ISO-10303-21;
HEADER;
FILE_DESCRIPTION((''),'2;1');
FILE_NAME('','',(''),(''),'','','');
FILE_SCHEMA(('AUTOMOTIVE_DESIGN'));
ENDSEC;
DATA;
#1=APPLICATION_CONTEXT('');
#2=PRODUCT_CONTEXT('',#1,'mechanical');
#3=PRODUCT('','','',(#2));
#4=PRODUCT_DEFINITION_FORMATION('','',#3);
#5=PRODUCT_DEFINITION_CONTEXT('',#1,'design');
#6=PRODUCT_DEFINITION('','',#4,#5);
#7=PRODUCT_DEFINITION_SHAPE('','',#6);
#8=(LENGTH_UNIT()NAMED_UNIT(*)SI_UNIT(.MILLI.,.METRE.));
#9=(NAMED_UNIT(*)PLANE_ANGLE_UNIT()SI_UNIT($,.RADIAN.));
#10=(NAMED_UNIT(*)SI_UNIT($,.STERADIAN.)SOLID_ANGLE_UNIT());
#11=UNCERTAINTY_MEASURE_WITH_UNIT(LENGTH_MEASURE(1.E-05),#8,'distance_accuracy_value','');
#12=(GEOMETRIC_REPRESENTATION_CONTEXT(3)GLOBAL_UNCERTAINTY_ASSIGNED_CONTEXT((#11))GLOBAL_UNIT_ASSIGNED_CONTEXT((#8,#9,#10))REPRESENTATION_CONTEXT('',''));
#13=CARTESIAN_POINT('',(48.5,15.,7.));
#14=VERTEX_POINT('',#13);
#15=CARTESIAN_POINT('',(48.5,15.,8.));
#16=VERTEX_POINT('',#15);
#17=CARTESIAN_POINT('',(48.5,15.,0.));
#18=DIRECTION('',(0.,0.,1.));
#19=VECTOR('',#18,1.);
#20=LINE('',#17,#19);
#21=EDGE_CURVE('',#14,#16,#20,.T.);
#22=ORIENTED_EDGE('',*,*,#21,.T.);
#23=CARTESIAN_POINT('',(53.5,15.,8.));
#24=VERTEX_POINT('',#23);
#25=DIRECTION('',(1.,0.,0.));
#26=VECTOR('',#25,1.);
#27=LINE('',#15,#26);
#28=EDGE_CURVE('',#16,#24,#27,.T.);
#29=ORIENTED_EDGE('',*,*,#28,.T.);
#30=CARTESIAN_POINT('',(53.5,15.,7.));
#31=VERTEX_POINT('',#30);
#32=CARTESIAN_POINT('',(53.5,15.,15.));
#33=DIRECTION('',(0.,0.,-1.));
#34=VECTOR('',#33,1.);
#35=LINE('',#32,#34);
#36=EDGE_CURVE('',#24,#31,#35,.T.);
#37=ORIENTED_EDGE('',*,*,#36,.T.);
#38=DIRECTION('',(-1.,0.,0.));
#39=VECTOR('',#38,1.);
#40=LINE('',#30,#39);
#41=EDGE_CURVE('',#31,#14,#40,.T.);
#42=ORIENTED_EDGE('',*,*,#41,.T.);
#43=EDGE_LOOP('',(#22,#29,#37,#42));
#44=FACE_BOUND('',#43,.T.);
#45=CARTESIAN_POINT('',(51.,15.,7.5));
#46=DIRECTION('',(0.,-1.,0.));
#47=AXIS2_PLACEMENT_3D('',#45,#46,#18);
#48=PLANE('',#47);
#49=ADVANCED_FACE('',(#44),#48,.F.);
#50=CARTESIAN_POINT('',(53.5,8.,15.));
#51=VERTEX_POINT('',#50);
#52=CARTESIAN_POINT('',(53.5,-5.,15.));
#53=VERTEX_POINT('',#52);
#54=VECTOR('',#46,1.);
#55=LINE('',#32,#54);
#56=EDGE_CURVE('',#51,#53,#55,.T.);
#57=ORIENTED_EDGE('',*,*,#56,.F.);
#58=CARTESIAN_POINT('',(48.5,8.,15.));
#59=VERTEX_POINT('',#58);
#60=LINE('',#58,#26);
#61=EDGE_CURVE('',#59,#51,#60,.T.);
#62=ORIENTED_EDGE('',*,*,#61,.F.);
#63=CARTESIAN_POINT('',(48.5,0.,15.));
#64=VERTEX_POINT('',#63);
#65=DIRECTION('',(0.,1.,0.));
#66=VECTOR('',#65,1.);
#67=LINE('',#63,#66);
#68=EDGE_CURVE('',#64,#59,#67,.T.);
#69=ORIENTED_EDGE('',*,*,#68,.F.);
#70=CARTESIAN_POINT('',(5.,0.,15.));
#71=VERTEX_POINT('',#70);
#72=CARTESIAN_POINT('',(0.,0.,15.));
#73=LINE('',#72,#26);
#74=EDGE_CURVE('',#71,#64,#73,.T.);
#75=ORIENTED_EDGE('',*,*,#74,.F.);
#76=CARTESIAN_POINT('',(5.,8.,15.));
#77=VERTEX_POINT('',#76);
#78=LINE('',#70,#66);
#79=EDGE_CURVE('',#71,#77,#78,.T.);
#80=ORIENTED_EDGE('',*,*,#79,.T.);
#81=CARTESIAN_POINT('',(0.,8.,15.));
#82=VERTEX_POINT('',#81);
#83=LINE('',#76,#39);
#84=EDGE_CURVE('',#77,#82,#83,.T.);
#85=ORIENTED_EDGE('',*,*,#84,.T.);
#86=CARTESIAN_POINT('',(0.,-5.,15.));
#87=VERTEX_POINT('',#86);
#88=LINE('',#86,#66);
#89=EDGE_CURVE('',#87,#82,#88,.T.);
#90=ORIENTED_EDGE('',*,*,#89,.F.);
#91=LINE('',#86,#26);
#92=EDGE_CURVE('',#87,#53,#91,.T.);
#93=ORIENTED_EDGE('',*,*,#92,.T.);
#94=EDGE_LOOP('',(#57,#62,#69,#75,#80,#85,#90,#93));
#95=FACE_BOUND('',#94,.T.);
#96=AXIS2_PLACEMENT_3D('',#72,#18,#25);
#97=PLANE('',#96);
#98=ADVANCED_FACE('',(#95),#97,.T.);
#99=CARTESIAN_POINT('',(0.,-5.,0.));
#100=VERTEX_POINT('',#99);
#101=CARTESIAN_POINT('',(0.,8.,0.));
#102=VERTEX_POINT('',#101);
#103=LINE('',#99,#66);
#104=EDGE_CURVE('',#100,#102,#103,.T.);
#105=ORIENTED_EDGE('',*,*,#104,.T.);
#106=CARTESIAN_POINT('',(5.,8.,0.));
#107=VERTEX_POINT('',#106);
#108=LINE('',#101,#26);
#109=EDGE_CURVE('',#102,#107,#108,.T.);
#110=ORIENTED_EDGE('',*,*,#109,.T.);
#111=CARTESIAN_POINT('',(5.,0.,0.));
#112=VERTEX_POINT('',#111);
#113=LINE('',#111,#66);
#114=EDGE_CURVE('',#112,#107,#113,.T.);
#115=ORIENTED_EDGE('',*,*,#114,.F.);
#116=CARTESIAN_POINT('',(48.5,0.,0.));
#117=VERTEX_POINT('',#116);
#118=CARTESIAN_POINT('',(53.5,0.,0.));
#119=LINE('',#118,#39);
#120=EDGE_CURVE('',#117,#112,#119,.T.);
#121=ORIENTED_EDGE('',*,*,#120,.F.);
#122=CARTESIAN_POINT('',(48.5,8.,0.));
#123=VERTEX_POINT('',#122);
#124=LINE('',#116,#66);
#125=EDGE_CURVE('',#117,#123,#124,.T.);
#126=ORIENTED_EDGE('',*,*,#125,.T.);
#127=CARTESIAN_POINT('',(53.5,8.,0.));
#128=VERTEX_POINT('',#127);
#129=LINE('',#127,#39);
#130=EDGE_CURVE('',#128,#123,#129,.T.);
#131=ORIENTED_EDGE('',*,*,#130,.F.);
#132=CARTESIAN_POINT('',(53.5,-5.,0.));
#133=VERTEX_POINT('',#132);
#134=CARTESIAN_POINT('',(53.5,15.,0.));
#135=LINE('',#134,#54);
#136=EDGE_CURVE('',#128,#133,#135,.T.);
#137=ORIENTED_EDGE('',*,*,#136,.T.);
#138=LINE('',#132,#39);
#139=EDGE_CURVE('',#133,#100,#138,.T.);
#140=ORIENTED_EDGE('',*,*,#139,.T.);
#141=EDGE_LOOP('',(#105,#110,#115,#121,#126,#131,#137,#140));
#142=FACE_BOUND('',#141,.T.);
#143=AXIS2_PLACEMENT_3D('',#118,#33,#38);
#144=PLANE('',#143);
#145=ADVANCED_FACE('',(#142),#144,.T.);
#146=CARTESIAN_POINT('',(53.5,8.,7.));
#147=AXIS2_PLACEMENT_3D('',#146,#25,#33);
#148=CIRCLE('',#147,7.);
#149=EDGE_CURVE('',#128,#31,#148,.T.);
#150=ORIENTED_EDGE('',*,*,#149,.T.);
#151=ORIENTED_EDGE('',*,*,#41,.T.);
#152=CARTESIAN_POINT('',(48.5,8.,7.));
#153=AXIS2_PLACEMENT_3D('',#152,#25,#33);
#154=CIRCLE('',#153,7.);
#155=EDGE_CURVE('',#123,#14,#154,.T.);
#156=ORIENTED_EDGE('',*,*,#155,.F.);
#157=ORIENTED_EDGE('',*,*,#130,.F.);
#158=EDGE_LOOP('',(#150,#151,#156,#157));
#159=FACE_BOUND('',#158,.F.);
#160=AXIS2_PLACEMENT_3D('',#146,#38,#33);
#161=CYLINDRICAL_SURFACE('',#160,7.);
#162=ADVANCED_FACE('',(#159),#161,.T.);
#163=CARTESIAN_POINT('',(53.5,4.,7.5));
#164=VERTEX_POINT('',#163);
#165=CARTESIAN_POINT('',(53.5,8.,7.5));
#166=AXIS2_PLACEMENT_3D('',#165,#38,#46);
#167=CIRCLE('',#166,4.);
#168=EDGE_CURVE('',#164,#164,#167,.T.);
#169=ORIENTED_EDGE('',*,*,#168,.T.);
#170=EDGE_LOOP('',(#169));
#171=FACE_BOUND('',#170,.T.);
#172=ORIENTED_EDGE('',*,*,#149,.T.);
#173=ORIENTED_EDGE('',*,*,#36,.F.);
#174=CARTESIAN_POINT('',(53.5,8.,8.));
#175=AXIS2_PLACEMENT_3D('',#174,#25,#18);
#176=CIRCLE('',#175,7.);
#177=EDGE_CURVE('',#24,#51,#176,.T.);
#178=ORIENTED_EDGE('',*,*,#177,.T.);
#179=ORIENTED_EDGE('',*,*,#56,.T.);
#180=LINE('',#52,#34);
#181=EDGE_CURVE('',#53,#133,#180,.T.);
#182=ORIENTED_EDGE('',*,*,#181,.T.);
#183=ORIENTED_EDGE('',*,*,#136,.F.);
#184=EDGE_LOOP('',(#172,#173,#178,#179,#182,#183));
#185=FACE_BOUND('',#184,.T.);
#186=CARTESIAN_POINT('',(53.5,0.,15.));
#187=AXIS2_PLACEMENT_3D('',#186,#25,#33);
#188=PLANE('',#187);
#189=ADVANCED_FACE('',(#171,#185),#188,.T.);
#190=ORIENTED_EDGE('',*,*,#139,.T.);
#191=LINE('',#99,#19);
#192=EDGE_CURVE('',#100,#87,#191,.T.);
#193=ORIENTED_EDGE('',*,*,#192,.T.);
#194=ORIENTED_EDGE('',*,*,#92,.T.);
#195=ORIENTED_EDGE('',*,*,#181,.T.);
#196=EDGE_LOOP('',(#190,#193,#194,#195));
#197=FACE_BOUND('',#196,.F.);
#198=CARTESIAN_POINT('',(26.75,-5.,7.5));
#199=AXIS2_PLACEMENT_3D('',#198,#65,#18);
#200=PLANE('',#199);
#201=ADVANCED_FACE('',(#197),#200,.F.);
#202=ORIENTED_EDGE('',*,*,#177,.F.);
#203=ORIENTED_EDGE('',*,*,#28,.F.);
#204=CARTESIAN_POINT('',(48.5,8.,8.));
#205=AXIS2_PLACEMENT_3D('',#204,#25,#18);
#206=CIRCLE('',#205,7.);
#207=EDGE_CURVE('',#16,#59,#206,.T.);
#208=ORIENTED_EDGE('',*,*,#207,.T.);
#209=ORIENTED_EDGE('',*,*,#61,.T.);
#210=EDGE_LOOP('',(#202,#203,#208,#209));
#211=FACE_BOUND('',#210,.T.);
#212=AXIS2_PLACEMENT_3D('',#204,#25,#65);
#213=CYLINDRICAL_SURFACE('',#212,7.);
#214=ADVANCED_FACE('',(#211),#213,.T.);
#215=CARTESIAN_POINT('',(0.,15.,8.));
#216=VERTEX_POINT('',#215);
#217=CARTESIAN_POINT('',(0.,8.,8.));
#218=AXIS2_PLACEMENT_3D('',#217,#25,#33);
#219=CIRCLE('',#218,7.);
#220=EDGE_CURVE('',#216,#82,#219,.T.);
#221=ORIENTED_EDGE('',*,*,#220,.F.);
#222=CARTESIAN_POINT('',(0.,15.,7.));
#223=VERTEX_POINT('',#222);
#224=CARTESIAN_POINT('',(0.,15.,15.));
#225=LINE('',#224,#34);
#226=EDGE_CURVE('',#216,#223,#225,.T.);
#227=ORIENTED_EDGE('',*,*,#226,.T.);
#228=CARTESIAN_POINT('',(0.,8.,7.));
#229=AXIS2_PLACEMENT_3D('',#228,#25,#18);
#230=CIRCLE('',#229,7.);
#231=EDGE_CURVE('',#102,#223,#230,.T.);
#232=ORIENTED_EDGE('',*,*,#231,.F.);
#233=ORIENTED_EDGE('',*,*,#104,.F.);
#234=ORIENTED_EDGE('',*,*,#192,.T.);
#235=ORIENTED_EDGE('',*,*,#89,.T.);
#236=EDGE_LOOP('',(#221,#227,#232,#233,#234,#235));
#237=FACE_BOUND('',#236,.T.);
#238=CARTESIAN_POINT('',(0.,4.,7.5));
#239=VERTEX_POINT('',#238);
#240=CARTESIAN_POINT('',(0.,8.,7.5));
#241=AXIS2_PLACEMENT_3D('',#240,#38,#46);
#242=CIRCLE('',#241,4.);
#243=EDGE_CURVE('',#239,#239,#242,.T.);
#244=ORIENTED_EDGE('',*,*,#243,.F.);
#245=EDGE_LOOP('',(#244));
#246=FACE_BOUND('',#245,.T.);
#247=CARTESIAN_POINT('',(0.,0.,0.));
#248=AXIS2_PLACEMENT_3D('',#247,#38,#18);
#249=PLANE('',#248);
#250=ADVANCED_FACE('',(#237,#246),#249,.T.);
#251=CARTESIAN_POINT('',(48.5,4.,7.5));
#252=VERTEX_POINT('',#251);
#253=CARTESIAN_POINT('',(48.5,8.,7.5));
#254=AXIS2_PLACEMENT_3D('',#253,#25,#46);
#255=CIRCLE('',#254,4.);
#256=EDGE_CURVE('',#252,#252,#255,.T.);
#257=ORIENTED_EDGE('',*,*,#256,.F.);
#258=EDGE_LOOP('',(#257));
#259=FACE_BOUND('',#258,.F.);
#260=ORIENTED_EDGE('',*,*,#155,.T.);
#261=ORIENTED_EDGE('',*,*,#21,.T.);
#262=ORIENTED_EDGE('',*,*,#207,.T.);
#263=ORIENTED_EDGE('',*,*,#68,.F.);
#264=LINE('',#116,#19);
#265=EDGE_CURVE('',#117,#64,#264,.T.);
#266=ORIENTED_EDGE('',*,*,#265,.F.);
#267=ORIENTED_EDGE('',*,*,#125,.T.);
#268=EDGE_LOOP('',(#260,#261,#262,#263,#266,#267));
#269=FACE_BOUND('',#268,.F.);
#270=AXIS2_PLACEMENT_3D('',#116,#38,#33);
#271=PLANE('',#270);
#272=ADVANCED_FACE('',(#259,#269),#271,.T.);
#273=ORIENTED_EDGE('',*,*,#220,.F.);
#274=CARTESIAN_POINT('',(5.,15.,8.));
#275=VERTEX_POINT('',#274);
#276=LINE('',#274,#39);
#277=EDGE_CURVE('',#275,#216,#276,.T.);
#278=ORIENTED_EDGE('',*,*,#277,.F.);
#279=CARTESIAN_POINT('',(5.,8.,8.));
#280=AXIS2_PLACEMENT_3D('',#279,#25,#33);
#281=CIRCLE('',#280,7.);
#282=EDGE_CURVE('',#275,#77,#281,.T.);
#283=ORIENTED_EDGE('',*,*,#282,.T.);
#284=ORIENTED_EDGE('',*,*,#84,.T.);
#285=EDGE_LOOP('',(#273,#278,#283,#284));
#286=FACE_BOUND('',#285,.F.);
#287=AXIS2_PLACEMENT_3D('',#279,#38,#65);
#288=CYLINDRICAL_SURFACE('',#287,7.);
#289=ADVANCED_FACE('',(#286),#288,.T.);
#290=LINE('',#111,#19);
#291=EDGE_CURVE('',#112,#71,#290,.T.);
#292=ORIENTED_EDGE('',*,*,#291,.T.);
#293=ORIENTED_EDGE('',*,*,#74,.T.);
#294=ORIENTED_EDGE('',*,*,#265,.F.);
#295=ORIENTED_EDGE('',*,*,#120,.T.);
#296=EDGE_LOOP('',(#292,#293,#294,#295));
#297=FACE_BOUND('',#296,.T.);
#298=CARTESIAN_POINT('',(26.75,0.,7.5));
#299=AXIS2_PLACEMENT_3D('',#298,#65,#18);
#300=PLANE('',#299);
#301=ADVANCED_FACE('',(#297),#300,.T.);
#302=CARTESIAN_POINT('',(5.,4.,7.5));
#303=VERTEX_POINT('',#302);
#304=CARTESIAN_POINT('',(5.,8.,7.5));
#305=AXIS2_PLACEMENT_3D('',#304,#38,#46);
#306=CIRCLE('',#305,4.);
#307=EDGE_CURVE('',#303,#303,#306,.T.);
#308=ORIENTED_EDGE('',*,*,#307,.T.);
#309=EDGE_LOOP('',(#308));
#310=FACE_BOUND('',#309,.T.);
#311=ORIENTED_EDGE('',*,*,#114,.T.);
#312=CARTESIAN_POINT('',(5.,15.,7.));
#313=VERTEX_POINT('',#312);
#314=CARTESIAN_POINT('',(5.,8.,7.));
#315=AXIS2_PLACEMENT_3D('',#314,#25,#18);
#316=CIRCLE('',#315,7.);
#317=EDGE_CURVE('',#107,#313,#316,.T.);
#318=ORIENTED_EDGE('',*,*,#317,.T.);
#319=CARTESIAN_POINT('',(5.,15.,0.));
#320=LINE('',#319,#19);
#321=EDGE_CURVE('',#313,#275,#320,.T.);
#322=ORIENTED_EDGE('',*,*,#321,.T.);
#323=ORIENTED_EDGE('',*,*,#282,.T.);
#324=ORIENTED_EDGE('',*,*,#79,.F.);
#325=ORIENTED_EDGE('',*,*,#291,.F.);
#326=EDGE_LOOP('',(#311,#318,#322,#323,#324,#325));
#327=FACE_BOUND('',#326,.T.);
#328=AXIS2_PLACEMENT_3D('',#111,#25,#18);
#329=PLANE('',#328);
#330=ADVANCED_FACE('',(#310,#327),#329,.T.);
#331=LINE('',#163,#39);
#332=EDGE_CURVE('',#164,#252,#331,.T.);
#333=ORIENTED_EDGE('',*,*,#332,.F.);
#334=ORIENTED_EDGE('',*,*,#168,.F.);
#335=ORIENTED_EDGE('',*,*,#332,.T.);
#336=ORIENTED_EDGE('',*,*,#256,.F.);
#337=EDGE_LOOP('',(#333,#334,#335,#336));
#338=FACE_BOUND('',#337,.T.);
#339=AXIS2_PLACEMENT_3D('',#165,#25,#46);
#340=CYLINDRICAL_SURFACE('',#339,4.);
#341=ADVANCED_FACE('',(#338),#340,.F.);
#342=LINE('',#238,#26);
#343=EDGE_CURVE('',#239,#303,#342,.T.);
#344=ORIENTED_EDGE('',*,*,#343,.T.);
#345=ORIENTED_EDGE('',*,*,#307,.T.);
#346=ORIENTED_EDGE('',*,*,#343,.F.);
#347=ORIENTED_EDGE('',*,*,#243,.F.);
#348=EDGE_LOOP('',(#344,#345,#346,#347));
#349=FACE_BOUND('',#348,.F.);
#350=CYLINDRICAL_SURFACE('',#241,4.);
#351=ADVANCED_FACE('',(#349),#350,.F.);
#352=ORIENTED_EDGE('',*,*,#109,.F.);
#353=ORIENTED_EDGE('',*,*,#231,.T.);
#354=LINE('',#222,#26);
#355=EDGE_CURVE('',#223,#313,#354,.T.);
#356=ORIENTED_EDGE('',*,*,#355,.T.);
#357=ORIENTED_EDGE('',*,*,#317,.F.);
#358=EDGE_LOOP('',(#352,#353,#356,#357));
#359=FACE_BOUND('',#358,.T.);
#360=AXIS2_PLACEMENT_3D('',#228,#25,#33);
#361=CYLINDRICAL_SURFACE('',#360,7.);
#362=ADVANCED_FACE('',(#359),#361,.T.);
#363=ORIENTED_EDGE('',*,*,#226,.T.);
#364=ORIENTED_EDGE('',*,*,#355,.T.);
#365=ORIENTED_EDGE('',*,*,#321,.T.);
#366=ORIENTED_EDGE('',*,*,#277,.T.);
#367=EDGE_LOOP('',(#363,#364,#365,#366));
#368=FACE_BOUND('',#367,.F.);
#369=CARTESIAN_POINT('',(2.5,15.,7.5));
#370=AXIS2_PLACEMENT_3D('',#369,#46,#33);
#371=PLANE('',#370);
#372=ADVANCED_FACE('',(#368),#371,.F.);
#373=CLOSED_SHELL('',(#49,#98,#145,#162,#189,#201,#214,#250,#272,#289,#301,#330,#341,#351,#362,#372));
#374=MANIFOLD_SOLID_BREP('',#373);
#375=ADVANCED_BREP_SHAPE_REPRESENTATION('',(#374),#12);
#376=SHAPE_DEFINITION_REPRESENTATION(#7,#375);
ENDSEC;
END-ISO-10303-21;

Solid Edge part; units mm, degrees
sketch "Sketch1" plane through (0, 0, 0) normal (0, -1, 0) x (1, 0, 0)
  line L0 (53.5, 0) -> (0, 0)
  line L1 (0, 0) -> (0, 15)
  line L2 (0, 15) -> (53.5, 15)
  line L3 (53.5, 15) -> (53.5, 0)
extrude "Protrusion1" add sketch "Sketch1" along normal blind 5
sketch "Sketch2" plane through (18.75, 0, 7.5) normal (0, 1, 0) x (-1, 0, 0)
  line L0 (13.75, -7.5) -> (13.75, 7.5)
  line L1 (13.75, 7.5) -> (18.75, 7.5)
  line L2 (18.75, 7.5) -> (18.75, -7.5)
  line L3 (18.75, -7.5) -> (13.75, -7.5)
extrude "ExtrudedProtrusion_3" add sketch "Sketch2" along normal blind 15
sketch "Sketch3" plane through (0, 5, 7.5) normal (-1, 0, 0) x (0, -1, 0)
  circle A0 centre (-3, 0) radius 4
extrude "Cutout1" cut sketch "Sketch3" against normal through all
fillet "Round1" radius 7 2 edges at (2.5, 15, 15) (2.5, 15, 0)
mirror "Mirror1" about plane through (26.75, 5, 7.5) normal (-1, 0, 0) of "ExtrudedProtrusion_3", "Cutout1"
fillet "Round2" radius 7 2 edges at (51, 15, 15) (51, 15, 0)
